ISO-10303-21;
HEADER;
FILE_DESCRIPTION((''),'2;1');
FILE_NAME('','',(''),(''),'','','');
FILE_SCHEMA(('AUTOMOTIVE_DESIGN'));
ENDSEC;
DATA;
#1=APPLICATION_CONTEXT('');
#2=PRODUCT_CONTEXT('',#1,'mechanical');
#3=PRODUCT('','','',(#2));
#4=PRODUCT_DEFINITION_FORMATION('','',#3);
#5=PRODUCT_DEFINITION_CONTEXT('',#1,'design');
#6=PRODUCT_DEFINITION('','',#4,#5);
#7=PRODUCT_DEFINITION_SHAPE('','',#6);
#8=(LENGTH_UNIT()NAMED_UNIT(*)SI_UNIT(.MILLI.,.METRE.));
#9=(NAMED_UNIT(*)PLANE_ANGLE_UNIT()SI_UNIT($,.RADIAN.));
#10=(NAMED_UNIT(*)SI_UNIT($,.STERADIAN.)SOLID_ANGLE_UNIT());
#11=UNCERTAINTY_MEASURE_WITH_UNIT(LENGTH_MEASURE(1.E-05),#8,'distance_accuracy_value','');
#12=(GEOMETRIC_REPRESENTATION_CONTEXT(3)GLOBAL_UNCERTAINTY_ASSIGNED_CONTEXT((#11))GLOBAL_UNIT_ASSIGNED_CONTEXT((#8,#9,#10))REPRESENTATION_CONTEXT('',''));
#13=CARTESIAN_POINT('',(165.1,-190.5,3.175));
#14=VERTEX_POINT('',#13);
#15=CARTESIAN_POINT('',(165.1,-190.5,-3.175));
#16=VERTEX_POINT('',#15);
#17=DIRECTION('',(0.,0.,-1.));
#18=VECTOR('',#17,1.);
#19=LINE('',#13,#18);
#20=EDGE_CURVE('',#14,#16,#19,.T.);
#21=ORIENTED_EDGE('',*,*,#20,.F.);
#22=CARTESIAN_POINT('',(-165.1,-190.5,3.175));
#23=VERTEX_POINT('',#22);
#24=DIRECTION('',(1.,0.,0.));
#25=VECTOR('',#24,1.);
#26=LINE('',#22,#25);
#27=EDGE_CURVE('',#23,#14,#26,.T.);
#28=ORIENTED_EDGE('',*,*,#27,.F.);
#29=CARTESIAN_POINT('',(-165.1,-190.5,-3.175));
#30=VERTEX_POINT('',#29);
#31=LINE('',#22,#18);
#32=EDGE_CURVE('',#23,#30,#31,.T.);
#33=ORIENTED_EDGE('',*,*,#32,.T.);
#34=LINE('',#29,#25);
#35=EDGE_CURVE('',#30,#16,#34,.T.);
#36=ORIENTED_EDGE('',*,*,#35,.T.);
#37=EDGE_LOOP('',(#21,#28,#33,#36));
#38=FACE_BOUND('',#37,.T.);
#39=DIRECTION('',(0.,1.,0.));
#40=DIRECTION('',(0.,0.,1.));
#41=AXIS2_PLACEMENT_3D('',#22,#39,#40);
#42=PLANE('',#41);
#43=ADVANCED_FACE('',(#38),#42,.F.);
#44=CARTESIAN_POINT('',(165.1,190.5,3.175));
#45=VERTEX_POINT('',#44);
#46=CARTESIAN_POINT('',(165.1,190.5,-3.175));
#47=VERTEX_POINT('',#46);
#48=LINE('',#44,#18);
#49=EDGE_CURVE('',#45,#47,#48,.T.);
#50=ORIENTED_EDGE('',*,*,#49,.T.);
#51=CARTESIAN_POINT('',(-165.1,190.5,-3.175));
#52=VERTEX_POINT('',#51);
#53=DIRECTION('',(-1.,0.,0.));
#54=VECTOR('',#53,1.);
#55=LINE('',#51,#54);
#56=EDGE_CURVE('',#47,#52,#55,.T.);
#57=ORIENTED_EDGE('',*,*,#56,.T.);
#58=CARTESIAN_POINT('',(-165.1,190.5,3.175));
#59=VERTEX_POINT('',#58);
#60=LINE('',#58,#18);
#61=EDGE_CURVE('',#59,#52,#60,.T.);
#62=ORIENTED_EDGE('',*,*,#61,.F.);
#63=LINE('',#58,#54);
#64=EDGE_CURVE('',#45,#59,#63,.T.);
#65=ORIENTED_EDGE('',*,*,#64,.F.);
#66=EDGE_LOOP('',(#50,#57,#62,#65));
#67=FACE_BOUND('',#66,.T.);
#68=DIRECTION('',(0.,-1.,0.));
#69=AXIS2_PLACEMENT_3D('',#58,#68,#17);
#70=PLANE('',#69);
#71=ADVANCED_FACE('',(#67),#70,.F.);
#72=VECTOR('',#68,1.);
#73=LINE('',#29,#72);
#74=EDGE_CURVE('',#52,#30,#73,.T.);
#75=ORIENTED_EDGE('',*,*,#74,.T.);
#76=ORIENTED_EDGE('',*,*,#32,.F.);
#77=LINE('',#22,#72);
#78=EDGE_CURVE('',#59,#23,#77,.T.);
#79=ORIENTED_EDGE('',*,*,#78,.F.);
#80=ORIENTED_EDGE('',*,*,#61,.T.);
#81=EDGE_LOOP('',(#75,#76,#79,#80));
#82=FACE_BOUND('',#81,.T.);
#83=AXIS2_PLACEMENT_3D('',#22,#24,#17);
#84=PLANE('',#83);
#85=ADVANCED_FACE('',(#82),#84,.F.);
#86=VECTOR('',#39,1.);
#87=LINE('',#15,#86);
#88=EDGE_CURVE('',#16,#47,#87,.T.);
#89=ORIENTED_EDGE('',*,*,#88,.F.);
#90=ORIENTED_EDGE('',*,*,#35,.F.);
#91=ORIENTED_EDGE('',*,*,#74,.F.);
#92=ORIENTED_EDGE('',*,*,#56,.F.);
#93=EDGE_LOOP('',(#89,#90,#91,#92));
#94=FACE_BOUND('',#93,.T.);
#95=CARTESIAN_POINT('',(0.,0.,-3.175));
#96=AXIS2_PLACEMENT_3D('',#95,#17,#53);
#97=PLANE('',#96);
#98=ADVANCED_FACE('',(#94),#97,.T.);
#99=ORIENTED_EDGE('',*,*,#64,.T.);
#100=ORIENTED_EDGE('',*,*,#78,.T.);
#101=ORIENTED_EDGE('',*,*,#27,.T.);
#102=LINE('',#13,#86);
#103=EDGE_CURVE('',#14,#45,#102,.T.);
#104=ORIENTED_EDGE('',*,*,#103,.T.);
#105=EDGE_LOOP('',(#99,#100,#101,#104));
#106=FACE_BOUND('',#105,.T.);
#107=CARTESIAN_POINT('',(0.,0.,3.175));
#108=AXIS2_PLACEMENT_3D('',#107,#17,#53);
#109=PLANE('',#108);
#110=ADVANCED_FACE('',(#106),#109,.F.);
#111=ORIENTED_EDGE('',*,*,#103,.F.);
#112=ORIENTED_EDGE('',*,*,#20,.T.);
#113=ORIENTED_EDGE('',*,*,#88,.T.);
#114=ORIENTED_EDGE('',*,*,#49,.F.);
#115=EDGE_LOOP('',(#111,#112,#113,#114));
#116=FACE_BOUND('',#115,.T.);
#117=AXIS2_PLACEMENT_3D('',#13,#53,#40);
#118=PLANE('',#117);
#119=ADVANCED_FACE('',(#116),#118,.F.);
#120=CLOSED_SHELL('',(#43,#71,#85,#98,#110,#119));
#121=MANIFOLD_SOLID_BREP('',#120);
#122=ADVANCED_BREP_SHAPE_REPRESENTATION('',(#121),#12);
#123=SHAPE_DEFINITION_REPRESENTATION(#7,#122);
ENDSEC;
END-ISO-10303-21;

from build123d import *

# Parameters (mm, degrees)
SKETCH1_W           = 330.2
SKETCH1_H           = 381
BOSS_EXTRUDE1_DEPTH = 3.175


with BuildPart() as part:
    # Sketch1 → Boss-Extrude1 (new body, symmetric)
    with BuildSketch(Plane.XY):
        Rectangle(SKETCH1_W, SKETCH1_H)
    extrude(amount=BOSS_EXTRUDE1_DEPTH, both=True)


solid = part.part
